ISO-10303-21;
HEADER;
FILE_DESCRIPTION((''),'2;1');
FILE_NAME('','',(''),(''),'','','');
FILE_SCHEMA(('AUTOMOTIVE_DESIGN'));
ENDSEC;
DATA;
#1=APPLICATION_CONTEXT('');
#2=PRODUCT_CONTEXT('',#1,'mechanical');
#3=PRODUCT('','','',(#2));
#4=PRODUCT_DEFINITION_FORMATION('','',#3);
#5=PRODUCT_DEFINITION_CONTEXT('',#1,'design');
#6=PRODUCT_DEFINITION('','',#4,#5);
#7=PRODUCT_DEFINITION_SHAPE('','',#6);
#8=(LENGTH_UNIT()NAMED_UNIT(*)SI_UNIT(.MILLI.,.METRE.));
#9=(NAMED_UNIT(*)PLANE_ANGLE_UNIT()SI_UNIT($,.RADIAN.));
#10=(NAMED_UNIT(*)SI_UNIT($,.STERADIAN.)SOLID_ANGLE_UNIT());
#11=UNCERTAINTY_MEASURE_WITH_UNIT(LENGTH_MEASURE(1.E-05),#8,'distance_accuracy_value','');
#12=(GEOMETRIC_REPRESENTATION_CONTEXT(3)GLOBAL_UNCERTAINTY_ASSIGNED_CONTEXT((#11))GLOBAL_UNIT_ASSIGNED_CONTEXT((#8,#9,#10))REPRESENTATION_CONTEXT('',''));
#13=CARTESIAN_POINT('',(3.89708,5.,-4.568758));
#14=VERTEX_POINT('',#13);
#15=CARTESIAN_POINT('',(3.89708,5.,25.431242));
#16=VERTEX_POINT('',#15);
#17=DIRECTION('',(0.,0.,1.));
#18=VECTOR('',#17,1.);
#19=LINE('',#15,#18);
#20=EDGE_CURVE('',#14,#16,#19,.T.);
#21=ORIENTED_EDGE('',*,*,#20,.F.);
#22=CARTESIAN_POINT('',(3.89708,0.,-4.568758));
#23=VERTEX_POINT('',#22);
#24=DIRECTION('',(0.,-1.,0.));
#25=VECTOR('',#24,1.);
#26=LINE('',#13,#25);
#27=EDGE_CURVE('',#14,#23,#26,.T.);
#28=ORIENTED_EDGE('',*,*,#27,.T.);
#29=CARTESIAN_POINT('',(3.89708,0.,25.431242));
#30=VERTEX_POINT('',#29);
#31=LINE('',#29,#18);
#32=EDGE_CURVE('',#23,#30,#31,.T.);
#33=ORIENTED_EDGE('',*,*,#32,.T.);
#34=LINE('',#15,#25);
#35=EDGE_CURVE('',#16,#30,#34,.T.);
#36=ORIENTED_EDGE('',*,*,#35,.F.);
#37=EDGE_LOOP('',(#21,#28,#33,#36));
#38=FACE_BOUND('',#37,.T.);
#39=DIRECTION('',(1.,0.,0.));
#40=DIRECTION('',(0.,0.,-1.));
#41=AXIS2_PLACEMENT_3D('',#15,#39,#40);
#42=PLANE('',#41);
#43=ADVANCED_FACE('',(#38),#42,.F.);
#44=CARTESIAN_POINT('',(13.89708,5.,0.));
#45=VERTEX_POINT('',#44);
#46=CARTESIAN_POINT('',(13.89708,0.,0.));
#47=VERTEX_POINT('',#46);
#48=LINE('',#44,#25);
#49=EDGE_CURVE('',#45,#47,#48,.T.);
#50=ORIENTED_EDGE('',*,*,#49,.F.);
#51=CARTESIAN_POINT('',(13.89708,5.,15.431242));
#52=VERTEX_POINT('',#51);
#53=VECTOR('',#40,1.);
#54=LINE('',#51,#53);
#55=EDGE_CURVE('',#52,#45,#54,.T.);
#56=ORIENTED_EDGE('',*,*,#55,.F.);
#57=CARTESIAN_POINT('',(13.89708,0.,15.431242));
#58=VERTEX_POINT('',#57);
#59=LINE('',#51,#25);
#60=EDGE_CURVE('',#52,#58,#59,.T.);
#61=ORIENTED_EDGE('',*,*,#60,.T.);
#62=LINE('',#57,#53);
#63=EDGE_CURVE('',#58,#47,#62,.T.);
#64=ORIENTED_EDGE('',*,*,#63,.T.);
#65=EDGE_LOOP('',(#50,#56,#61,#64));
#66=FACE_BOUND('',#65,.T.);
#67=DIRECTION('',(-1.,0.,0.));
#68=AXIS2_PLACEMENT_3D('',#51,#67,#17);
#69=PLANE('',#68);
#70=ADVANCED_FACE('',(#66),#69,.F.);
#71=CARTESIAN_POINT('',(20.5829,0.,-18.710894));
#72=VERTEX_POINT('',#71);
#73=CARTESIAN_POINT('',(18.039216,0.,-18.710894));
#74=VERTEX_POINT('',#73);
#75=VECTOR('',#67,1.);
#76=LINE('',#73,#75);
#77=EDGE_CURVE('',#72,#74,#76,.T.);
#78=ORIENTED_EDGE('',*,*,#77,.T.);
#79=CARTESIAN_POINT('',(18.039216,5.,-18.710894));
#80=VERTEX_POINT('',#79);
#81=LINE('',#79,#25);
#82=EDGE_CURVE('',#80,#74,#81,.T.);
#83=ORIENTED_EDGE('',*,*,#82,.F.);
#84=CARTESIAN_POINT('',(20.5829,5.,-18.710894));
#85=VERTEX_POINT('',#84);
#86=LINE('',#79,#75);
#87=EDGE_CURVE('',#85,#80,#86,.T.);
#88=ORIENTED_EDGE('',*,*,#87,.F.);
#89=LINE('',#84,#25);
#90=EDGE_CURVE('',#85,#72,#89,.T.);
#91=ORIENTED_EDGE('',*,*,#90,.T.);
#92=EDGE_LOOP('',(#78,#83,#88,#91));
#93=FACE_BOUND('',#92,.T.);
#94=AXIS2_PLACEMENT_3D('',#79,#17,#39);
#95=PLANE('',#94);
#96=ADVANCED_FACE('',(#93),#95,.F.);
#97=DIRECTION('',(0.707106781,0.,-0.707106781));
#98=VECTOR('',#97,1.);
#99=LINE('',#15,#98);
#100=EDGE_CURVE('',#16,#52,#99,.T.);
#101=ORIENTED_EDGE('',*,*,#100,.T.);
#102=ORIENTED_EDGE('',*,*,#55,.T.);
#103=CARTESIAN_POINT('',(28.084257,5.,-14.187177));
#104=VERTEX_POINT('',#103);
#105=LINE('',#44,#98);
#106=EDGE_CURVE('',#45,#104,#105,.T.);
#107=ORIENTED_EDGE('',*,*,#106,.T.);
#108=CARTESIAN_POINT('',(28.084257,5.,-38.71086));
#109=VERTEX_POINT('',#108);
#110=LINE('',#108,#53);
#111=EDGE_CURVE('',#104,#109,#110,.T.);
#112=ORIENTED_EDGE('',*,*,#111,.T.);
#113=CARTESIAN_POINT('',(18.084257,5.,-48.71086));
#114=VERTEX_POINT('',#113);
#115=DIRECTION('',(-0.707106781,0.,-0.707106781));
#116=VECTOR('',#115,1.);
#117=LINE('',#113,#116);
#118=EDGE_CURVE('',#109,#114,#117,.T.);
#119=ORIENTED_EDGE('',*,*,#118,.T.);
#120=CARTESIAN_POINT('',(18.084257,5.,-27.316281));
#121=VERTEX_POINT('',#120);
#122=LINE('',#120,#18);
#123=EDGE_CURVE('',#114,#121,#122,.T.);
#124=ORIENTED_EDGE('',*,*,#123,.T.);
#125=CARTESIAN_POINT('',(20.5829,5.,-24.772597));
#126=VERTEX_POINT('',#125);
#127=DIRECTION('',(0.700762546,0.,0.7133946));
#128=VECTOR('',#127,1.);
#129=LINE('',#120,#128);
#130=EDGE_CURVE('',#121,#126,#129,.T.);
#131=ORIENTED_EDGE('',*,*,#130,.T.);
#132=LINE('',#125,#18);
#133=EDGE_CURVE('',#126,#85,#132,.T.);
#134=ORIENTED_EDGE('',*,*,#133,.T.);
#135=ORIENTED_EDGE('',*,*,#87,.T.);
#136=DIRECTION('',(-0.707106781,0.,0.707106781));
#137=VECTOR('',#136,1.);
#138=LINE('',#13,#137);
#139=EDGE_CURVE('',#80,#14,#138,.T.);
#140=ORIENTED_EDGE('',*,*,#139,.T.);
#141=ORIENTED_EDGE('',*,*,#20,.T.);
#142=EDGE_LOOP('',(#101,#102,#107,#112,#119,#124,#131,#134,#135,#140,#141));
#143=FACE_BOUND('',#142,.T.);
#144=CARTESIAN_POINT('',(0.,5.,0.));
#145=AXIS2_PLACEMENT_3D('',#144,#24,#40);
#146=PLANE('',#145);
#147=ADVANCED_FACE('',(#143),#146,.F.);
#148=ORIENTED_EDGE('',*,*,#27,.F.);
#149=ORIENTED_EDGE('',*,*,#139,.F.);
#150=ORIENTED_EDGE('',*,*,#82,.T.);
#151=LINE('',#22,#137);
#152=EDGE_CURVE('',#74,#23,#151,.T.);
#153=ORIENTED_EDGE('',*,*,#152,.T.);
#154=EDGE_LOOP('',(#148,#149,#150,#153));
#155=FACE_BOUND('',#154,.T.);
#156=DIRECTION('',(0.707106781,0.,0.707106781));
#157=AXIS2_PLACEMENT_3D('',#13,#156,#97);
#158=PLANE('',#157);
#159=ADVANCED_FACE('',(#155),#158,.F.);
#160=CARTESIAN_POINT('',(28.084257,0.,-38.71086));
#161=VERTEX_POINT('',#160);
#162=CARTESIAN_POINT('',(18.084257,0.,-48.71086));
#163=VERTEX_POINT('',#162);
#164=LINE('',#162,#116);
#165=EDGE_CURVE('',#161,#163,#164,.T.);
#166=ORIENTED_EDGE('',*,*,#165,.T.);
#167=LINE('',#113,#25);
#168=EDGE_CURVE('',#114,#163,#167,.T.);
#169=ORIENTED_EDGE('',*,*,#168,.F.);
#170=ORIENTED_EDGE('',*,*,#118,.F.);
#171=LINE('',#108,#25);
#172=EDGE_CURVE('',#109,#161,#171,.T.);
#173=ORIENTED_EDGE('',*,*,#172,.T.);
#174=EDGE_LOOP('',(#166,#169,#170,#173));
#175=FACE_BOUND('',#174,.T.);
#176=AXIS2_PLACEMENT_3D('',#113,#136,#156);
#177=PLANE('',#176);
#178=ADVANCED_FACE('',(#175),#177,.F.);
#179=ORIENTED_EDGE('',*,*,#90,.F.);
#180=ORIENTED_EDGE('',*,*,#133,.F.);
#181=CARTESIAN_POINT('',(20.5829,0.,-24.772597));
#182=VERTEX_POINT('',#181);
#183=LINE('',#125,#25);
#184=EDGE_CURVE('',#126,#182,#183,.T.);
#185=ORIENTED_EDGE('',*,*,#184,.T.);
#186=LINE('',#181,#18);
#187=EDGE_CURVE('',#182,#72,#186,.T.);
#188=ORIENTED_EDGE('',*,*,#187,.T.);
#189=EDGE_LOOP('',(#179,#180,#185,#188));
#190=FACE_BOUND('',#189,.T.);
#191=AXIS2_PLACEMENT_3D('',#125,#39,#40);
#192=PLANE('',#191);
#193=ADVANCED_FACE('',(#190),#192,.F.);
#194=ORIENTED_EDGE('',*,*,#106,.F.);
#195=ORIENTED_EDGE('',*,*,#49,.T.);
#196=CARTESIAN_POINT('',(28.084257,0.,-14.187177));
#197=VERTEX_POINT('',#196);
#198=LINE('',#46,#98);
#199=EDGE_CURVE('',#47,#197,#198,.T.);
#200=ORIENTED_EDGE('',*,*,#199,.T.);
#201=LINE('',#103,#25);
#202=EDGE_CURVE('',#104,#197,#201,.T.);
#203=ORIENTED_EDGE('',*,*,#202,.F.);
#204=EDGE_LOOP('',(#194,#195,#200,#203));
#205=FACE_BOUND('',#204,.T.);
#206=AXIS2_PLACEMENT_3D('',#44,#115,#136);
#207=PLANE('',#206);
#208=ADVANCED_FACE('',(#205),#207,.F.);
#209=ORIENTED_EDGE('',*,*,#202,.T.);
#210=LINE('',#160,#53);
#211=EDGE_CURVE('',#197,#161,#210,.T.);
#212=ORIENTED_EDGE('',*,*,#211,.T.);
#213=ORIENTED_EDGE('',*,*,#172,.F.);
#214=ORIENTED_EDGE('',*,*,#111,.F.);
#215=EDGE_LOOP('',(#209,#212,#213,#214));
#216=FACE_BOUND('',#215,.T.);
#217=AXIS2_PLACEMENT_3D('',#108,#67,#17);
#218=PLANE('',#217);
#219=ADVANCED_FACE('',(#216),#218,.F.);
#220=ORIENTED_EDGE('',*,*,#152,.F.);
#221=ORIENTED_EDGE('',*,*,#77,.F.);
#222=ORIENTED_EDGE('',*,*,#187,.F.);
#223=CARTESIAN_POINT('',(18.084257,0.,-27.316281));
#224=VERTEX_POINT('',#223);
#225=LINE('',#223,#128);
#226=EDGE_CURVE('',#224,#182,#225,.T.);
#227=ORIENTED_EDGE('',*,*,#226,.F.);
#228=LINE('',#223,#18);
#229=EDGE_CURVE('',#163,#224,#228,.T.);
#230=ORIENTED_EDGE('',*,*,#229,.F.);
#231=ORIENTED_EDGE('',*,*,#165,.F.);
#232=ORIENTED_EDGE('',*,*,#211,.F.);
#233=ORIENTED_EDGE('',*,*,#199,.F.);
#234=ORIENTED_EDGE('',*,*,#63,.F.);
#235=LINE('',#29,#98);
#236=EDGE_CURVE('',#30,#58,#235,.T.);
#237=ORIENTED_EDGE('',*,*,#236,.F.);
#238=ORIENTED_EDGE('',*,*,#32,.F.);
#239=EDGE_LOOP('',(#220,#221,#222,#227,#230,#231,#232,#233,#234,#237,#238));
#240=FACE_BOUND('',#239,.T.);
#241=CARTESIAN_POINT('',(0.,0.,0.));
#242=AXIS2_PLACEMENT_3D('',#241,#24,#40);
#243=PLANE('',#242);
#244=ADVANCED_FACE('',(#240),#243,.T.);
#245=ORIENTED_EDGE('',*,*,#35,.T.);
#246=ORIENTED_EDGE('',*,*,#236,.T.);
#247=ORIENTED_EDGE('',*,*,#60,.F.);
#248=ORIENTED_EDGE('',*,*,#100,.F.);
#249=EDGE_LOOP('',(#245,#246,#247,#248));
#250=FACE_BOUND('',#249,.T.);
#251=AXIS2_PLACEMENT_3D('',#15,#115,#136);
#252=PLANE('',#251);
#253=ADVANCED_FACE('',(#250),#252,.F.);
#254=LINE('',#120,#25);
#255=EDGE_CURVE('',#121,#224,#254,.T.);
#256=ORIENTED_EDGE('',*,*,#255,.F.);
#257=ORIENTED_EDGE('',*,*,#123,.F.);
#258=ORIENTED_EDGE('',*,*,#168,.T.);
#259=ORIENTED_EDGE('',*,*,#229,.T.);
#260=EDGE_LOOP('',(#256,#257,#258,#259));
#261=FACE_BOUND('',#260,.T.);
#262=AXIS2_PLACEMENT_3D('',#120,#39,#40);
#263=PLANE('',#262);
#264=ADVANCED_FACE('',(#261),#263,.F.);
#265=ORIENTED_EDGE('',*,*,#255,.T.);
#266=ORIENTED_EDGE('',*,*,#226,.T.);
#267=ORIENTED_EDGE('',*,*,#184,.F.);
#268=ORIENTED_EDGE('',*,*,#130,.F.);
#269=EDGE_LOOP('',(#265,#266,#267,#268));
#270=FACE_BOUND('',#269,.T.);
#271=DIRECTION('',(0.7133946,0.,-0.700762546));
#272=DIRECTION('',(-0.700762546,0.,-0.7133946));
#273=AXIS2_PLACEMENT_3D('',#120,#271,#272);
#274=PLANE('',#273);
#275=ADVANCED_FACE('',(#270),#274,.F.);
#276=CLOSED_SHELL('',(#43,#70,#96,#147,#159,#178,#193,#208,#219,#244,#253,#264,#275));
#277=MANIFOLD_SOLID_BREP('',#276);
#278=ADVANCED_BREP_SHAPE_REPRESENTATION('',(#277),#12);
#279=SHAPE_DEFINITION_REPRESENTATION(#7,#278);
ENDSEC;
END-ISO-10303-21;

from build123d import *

# Parameters (mm, degrees)
BOSS_EXTRUDE1_DEPTH = 5


with BuildPart() as part:
    # Sketch1 → Boss-Extrude1 (new body)
    with BuildSketch(Plane(origin=(0, 0, 0), x_dir=(1, 0, 0), z_dir=(0, 1, 0))):
        Polygon((3.897080063, -25.431241822), (3.897080063, 4.568758178), (18.039215686, 18.710893802), (20.582899937, 18.710893802), (20.582899937, 24.772596922), (18.084256617, 27.316281172), (18.084256617, 48.71085999), (28.084256617, 38.71085999), (28.084256617, 14.187176554), (13.897080063, 0), (13.897080063, -15.431241822), align=None)
    extrude(amount=BOSS_EXTRUDE1_DEPTH)


solid = part.part
